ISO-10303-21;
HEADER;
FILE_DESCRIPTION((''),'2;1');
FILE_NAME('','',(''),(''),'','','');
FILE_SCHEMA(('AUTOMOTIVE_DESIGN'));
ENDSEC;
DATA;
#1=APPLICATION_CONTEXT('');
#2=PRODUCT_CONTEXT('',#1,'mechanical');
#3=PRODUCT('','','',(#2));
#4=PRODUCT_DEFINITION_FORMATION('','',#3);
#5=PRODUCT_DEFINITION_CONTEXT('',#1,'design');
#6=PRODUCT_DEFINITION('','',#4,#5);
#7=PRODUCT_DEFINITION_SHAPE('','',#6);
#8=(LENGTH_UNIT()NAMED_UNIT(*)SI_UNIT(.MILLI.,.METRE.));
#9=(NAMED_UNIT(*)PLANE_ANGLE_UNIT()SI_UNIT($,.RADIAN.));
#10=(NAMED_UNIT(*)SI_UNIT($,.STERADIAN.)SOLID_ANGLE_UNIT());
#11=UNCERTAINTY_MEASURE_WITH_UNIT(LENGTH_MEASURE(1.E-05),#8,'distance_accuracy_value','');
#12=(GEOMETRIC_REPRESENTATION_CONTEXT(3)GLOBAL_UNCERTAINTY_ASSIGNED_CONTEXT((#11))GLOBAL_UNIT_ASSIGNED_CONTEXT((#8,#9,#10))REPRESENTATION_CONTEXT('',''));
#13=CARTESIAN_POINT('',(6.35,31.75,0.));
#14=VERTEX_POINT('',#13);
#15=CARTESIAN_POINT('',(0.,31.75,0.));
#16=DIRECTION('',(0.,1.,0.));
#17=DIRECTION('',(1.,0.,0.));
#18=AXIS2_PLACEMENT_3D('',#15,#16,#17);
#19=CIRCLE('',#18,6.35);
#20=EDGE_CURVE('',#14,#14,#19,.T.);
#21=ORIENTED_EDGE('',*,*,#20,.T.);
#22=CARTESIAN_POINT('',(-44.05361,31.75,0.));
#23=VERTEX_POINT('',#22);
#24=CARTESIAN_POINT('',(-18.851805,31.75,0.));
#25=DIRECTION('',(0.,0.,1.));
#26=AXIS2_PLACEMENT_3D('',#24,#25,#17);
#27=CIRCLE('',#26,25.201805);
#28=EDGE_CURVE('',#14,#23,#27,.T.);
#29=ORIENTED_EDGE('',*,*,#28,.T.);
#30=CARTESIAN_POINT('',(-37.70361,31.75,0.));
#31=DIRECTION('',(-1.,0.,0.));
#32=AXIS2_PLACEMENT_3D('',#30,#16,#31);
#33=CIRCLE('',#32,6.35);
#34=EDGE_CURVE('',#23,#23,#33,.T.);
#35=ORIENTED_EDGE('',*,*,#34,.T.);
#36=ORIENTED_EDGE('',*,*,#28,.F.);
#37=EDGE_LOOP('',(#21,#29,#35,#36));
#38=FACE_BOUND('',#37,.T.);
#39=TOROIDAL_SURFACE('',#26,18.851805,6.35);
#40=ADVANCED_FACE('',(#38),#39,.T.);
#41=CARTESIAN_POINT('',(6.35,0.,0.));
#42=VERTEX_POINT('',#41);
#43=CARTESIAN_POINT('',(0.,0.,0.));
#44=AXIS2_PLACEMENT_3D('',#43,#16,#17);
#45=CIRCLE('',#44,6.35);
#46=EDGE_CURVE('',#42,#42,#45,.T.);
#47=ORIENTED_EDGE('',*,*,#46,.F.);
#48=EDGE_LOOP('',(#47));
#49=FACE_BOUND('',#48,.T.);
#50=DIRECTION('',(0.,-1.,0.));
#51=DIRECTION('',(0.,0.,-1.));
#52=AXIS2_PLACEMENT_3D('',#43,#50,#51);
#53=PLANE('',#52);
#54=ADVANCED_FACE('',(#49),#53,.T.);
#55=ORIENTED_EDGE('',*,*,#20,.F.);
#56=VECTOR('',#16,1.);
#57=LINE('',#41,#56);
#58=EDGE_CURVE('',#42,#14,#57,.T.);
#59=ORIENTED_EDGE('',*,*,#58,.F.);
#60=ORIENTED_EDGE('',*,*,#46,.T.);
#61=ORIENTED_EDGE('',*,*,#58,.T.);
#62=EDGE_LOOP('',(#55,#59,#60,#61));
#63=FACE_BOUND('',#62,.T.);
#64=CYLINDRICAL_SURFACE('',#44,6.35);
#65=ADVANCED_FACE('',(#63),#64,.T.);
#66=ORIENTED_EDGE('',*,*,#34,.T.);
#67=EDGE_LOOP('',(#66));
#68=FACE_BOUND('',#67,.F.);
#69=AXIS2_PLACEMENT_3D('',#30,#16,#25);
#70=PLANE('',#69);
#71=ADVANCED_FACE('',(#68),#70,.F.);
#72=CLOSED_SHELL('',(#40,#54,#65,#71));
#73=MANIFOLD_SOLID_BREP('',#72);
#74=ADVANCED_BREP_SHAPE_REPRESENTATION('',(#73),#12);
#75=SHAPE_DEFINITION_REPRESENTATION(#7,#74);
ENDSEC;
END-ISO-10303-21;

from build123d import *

# Parameters (mm, degrees)
F1_R = 6.35


with BuildPart() as f2:
    # F2: sweep along a path in F0
    with BuildLine(Plane.XY) as f2_path:
        Line((0, 0), (0, 31.75))
        ThreePointArc((0, 31.75), (-18.851805, 50.601805), (-37.70361, 31.75))
    # F1 (on Front) → F2 (sweep)
    with BuildSketch(Plane.XZ):
        Circle(F1_R)
    sweep(path=f2_path.line)


solid = f2.part
